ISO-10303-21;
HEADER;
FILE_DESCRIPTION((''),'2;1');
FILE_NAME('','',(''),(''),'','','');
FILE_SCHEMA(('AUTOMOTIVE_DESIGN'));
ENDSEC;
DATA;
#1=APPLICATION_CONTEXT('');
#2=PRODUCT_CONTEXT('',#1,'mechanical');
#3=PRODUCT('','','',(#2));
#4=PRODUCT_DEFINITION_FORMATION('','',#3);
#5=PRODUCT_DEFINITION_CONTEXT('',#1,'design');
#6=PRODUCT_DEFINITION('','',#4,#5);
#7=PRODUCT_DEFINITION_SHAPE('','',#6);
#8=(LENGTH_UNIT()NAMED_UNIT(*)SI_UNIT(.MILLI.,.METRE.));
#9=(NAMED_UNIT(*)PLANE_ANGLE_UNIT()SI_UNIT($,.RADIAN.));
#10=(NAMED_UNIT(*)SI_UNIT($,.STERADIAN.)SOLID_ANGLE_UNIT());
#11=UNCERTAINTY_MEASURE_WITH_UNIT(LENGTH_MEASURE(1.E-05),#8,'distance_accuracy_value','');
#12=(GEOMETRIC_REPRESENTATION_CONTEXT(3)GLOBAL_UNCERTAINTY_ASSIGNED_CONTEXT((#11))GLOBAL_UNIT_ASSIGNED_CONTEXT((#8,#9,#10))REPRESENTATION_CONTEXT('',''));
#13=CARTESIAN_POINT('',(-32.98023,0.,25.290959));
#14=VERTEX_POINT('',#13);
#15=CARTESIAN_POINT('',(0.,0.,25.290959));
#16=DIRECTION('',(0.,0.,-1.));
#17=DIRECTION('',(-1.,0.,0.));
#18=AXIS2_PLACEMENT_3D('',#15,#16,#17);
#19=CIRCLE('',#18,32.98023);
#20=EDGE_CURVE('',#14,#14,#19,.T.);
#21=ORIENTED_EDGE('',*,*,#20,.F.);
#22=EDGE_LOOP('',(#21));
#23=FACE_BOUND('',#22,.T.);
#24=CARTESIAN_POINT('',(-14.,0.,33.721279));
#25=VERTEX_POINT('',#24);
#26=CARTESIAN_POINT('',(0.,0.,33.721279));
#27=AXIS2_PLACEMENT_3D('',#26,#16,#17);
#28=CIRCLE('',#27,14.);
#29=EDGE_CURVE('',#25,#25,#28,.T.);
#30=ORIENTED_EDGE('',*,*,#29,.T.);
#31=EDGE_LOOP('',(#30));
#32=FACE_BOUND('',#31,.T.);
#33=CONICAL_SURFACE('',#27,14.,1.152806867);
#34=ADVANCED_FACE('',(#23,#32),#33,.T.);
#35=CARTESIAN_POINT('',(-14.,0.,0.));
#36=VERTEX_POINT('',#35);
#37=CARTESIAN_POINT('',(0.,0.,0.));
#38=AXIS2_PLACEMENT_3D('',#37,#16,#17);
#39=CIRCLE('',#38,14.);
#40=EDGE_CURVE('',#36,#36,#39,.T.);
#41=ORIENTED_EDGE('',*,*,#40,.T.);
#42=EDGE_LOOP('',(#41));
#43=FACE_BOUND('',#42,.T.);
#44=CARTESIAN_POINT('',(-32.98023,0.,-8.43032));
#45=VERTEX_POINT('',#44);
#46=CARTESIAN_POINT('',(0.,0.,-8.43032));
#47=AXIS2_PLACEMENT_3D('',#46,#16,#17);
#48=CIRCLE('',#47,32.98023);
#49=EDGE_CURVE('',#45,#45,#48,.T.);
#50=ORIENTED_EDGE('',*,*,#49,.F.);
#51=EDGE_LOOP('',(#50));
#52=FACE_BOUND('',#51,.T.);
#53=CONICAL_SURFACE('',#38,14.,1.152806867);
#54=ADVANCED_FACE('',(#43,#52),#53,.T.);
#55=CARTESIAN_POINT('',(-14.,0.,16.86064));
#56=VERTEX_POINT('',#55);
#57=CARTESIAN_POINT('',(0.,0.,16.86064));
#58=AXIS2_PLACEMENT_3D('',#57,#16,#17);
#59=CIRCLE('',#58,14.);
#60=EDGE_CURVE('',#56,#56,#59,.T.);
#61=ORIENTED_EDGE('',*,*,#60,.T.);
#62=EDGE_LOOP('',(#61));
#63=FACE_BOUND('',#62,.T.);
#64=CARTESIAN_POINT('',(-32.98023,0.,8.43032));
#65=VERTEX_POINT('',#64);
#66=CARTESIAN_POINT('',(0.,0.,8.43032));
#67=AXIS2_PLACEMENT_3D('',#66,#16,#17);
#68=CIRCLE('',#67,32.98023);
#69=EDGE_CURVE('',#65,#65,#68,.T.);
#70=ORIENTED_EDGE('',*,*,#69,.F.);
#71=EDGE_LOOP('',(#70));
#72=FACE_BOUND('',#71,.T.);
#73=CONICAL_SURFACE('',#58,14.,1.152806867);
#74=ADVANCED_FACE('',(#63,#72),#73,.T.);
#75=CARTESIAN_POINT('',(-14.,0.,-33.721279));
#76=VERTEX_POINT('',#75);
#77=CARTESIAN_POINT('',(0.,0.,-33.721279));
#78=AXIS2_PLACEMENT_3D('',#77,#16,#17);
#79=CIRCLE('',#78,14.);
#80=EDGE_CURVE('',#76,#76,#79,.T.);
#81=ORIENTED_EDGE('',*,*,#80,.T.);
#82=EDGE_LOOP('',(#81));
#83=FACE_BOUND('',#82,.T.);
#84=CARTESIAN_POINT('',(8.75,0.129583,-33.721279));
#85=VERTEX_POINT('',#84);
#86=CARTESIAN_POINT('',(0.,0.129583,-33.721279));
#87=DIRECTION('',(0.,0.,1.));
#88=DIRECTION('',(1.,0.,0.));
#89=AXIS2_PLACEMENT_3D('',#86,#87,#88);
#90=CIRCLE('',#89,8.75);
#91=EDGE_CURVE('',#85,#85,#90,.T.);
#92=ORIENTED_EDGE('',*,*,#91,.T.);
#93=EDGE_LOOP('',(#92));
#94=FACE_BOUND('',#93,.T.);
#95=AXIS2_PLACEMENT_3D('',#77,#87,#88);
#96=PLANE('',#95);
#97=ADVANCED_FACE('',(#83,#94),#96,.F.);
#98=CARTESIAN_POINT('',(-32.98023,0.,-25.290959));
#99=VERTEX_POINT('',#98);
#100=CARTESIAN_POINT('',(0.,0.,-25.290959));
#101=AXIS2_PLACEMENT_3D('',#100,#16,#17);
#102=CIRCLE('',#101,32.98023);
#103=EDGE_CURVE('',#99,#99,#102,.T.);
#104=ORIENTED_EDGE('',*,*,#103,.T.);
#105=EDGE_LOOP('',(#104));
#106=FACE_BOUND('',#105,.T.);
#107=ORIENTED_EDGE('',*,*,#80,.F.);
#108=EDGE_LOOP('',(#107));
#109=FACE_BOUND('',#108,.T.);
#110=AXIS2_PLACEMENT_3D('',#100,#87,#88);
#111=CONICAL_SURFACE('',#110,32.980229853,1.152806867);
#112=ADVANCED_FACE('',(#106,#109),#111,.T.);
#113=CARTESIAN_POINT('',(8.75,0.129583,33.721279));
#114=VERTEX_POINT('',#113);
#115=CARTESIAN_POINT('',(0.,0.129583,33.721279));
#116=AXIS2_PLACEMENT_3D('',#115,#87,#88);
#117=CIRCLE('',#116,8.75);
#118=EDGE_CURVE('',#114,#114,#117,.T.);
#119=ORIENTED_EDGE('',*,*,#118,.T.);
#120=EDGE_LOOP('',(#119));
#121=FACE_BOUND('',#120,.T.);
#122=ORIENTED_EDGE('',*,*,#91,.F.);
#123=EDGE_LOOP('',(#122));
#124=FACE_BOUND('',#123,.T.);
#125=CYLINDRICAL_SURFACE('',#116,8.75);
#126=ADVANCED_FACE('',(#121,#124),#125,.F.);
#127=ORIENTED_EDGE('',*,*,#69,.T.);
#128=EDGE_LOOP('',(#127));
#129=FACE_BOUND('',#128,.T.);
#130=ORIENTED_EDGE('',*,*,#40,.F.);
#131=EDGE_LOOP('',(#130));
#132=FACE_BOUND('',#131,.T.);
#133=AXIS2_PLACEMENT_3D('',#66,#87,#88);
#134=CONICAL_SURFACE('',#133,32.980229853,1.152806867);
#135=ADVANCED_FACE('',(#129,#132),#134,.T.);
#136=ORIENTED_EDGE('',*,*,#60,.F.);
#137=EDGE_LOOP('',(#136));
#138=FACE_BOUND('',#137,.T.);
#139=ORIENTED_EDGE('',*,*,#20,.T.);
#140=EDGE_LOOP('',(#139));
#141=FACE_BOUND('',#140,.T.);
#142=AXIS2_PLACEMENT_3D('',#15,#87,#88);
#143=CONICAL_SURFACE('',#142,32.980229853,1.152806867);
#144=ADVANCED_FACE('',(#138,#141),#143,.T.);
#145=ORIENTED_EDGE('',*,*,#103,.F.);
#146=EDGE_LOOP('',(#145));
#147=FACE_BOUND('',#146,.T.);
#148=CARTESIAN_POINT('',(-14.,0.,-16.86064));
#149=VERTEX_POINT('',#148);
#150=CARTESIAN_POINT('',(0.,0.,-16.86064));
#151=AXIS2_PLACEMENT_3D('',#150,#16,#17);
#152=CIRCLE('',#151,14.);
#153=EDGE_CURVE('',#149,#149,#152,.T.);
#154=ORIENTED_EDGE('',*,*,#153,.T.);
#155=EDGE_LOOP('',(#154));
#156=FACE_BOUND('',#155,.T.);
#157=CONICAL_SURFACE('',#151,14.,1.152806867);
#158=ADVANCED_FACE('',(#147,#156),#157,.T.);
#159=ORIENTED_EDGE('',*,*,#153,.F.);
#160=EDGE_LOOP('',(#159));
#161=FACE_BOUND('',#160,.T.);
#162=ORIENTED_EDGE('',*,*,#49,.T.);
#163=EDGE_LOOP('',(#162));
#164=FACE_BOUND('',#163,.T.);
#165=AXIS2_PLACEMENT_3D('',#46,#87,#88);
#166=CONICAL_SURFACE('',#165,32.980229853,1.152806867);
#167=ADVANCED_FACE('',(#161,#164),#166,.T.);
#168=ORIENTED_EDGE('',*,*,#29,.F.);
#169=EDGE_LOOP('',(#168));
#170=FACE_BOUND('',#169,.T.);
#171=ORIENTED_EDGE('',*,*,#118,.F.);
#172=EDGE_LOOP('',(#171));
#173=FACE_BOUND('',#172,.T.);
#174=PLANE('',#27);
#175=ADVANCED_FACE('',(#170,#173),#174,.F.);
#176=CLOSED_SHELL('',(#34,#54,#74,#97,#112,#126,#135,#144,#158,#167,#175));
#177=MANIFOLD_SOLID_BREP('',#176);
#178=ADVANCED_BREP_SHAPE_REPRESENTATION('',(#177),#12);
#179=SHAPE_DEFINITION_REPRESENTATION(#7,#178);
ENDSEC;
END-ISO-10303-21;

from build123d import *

# Parameters (mm, degrees)
TALADRO_DE_MARGEN_PARA_M162_D = 17.5


with BuildPart() as part:
    # Croquis1 → Revolución3 (revolve)
    with BuildSketch(Plane(origin=(0, 0, 0), x_dir=(1, 0, 0), z_dir=(0, 1, 0))):
        Polygon((0, 33.721279245), (0, -33.721279245), (14, -33.721279245), (32.980229853, -25.290959433), (14, -16.860639622), (32.980229853, -8.430319811), (14, 0), (32.980229853, 8.430319811), (14, 16.860639622), (32.980229853, 25.290959433), (14, 33.721279245), align=None)
    revolve(axis=Axis((0, 0, -33.721279245), (0, 0, 1)))

    # Taladro de margen para M162 (through all)
    with Locations(Plane.XY.offset(33.721279245)):
        with Locations((0, 0.129582741)):
            Hole(TALADRO_DE_MARGEN_PARA_M162_D / 2)


solid = part.part
